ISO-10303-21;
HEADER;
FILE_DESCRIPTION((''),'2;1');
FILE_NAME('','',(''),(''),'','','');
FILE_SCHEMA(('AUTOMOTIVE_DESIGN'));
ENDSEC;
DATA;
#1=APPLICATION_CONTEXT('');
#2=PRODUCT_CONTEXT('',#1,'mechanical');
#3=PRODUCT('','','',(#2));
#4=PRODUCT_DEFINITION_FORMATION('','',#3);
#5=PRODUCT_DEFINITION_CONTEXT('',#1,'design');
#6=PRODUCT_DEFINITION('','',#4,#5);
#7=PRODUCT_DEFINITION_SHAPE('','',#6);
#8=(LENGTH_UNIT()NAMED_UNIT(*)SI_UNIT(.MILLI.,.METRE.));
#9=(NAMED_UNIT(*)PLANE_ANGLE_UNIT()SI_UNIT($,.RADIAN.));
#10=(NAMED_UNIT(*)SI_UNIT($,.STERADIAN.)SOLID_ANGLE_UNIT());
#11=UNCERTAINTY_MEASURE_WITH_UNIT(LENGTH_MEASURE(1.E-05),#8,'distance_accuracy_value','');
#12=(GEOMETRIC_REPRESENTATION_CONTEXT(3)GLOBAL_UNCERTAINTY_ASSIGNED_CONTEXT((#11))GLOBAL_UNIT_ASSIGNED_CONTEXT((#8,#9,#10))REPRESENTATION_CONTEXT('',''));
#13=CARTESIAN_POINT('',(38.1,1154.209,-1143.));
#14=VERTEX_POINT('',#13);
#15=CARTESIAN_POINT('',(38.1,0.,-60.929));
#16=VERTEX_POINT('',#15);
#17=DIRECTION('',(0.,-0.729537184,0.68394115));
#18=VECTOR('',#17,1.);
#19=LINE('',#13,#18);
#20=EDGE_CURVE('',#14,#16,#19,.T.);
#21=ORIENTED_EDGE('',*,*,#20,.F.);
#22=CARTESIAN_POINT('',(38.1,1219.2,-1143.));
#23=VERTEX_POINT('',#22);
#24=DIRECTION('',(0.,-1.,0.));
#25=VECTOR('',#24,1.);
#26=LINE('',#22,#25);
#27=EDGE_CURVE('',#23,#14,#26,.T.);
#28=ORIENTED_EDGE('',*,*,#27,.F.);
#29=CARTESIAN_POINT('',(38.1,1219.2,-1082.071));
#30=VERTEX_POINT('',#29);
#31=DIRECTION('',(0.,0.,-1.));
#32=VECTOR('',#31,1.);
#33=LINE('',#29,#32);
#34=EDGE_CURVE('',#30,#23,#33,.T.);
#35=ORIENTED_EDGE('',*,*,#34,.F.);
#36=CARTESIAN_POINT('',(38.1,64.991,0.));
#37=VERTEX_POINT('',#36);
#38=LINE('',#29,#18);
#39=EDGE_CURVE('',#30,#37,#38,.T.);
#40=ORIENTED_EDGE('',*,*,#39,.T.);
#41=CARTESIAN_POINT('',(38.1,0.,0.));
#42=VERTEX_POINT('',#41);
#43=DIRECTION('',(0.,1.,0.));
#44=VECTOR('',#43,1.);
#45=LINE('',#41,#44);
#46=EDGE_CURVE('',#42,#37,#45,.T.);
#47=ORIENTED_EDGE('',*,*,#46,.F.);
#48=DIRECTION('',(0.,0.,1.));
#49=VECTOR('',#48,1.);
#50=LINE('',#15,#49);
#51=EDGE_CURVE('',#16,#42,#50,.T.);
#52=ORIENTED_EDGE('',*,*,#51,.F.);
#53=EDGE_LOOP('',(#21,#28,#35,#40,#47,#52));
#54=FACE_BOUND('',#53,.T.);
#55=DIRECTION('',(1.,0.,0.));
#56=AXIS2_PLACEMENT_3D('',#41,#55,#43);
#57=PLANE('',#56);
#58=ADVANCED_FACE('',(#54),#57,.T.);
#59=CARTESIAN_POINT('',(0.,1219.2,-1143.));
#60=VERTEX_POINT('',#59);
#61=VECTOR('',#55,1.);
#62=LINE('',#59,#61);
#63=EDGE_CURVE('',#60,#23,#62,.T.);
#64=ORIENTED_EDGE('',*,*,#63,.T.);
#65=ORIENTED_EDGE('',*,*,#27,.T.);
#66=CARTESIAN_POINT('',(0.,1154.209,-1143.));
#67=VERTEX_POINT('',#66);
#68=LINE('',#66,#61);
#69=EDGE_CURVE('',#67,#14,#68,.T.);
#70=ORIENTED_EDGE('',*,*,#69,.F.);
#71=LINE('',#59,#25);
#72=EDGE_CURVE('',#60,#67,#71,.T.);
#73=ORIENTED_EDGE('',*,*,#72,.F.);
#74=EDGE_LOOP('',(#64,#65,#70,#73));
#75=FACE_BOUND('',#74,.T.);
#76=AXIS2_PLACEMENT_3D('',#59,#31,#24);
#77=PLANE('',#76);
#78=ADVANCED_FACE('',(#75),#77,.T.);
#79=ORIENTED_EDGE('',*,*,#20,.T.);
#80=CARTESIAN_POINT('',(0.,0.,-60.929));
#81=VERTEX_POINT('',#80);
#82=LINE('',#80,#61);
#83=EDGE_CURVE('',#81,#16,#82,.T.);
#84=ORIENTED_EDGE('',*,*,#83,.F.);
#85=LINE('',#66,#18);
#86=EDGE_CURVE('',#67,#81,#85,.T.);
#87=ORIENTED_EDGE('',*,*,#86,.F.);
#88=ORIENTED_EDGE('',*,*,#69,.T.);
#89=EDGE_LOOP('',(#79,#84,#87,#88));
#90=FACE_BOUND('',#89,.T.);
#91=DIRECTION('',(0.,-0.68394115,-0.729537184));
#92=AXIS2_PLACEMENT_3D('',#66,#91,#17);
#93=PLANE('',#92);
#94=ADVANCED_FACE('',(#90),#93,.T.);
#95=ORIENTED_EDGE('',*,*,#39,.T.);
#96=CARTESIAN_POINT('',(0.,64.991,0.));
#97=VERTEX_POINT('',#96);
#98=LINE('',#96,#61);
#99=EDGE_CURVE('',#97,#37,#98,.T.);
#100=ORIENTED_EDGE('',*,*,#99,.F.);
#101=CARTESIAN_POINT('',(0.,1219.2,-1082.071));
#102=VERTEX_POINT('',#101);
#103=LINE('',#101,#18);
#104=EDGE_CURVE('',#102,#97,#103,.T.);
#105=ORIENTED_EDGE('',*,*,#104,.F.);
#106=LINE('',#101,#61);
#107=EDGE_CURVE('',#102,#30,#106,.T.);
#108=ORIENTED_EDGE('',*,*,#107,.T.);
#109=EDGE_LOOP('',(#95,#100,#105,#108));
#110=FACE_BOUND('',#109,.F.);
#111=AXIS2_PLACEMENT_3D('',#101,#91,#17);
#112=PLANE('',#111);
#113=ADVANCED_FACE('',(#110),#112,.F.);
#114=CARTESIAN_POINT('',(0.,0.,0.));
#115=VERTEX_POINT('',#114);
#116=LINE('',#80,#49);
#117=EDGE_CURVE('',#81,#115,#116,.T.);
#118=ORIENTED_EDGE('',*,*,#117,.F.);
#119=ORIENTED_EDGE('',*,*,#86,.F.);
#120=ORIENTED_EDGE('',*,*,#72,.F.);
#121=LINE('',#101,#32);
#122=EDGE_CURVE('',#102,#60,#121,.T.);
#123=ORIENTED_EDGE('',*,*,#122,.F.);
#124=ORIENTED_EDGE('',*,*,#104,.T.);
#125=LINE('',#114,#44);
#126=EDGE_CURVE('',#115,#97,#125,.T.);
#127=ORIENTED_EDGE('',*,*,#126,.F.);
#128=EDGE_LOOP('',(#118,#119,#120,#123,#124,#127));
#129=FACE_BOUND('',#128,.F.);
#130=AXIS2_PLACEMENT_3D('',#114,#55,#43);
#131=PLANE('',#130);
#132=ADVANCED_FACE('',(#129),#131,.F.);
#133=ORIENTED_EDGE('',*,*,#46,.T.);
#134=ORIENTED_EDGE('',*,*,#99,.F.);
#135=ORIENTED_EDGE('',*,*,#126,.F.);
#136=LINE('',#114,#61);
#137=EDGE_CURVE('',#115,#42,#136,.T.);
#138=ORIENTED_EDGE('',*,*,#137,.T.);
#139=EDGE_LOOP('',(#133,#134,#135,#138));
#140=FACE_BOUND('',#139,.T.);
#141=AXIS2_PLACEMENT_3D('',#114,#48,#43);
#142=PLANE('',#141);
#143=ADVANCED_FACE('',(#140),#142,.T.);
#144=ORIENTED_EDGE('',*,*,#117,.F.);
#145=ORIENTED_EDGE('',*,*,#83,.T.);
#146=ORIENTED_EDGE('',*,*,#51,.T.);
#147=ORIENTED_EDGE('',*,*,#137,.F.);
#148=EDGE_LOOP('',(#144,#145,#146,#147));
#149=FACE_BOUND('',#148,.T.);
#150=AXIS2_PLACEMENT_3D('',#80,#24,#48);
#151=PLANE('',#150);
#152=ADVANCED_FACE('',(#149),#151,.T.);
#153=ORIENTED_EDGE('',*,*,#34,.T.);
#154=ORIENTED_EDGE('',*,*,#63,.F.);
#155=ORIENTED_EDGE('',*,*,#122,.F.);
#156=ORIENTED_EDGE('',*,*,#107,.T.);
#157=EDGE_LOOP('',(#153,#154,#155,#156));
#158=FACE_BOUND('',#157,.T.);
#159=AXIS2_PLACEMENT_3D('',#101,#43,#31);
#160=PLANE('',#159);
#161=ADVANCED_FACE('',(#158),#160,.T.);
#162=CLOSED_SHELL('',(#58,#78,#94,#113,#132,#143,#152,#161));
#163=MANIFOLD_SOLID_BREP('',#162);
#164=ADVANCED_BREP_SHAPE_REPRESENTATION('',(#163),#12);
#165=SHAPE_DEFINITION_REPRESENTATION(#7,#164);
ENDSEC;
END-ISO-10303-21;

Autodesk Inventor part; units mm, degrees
ref_plane "YZ Plane" through (0, 0, 0) normal (1, 0, 0) x (0, 1, 0)
ref_plane "XZ Plane" through (0, 0, 0) normal (0, 1, 0) x (-1, 0, 0)
ref_plane "XY Plane" through (0, 0, 0) normal (0, 0, 1) x (1, 0, 0)
sketch "Sketch1" plane through (0, 0, 0) normal (1, 0, 0) x (0, 1, 0)
  line L0 (0, 0) -> (64.991, 0)
  line L1 (1219.2, -1143) -> (1154.209, -1143)
  line L2 (1219.2, -1082.071) -> (1219.2, -1143)
  line L3 (1219.2, -1082.071) -> (64.991, 0)
  line L4 (1154.209, -1143) -> (0, -60.929)
  line L5 (0, -60.929) -> (0, 0)
extrude "Extrusion1" add sketch "Sketch1" along normal blind 38.1
properties part number "S_2x4x65.8"
